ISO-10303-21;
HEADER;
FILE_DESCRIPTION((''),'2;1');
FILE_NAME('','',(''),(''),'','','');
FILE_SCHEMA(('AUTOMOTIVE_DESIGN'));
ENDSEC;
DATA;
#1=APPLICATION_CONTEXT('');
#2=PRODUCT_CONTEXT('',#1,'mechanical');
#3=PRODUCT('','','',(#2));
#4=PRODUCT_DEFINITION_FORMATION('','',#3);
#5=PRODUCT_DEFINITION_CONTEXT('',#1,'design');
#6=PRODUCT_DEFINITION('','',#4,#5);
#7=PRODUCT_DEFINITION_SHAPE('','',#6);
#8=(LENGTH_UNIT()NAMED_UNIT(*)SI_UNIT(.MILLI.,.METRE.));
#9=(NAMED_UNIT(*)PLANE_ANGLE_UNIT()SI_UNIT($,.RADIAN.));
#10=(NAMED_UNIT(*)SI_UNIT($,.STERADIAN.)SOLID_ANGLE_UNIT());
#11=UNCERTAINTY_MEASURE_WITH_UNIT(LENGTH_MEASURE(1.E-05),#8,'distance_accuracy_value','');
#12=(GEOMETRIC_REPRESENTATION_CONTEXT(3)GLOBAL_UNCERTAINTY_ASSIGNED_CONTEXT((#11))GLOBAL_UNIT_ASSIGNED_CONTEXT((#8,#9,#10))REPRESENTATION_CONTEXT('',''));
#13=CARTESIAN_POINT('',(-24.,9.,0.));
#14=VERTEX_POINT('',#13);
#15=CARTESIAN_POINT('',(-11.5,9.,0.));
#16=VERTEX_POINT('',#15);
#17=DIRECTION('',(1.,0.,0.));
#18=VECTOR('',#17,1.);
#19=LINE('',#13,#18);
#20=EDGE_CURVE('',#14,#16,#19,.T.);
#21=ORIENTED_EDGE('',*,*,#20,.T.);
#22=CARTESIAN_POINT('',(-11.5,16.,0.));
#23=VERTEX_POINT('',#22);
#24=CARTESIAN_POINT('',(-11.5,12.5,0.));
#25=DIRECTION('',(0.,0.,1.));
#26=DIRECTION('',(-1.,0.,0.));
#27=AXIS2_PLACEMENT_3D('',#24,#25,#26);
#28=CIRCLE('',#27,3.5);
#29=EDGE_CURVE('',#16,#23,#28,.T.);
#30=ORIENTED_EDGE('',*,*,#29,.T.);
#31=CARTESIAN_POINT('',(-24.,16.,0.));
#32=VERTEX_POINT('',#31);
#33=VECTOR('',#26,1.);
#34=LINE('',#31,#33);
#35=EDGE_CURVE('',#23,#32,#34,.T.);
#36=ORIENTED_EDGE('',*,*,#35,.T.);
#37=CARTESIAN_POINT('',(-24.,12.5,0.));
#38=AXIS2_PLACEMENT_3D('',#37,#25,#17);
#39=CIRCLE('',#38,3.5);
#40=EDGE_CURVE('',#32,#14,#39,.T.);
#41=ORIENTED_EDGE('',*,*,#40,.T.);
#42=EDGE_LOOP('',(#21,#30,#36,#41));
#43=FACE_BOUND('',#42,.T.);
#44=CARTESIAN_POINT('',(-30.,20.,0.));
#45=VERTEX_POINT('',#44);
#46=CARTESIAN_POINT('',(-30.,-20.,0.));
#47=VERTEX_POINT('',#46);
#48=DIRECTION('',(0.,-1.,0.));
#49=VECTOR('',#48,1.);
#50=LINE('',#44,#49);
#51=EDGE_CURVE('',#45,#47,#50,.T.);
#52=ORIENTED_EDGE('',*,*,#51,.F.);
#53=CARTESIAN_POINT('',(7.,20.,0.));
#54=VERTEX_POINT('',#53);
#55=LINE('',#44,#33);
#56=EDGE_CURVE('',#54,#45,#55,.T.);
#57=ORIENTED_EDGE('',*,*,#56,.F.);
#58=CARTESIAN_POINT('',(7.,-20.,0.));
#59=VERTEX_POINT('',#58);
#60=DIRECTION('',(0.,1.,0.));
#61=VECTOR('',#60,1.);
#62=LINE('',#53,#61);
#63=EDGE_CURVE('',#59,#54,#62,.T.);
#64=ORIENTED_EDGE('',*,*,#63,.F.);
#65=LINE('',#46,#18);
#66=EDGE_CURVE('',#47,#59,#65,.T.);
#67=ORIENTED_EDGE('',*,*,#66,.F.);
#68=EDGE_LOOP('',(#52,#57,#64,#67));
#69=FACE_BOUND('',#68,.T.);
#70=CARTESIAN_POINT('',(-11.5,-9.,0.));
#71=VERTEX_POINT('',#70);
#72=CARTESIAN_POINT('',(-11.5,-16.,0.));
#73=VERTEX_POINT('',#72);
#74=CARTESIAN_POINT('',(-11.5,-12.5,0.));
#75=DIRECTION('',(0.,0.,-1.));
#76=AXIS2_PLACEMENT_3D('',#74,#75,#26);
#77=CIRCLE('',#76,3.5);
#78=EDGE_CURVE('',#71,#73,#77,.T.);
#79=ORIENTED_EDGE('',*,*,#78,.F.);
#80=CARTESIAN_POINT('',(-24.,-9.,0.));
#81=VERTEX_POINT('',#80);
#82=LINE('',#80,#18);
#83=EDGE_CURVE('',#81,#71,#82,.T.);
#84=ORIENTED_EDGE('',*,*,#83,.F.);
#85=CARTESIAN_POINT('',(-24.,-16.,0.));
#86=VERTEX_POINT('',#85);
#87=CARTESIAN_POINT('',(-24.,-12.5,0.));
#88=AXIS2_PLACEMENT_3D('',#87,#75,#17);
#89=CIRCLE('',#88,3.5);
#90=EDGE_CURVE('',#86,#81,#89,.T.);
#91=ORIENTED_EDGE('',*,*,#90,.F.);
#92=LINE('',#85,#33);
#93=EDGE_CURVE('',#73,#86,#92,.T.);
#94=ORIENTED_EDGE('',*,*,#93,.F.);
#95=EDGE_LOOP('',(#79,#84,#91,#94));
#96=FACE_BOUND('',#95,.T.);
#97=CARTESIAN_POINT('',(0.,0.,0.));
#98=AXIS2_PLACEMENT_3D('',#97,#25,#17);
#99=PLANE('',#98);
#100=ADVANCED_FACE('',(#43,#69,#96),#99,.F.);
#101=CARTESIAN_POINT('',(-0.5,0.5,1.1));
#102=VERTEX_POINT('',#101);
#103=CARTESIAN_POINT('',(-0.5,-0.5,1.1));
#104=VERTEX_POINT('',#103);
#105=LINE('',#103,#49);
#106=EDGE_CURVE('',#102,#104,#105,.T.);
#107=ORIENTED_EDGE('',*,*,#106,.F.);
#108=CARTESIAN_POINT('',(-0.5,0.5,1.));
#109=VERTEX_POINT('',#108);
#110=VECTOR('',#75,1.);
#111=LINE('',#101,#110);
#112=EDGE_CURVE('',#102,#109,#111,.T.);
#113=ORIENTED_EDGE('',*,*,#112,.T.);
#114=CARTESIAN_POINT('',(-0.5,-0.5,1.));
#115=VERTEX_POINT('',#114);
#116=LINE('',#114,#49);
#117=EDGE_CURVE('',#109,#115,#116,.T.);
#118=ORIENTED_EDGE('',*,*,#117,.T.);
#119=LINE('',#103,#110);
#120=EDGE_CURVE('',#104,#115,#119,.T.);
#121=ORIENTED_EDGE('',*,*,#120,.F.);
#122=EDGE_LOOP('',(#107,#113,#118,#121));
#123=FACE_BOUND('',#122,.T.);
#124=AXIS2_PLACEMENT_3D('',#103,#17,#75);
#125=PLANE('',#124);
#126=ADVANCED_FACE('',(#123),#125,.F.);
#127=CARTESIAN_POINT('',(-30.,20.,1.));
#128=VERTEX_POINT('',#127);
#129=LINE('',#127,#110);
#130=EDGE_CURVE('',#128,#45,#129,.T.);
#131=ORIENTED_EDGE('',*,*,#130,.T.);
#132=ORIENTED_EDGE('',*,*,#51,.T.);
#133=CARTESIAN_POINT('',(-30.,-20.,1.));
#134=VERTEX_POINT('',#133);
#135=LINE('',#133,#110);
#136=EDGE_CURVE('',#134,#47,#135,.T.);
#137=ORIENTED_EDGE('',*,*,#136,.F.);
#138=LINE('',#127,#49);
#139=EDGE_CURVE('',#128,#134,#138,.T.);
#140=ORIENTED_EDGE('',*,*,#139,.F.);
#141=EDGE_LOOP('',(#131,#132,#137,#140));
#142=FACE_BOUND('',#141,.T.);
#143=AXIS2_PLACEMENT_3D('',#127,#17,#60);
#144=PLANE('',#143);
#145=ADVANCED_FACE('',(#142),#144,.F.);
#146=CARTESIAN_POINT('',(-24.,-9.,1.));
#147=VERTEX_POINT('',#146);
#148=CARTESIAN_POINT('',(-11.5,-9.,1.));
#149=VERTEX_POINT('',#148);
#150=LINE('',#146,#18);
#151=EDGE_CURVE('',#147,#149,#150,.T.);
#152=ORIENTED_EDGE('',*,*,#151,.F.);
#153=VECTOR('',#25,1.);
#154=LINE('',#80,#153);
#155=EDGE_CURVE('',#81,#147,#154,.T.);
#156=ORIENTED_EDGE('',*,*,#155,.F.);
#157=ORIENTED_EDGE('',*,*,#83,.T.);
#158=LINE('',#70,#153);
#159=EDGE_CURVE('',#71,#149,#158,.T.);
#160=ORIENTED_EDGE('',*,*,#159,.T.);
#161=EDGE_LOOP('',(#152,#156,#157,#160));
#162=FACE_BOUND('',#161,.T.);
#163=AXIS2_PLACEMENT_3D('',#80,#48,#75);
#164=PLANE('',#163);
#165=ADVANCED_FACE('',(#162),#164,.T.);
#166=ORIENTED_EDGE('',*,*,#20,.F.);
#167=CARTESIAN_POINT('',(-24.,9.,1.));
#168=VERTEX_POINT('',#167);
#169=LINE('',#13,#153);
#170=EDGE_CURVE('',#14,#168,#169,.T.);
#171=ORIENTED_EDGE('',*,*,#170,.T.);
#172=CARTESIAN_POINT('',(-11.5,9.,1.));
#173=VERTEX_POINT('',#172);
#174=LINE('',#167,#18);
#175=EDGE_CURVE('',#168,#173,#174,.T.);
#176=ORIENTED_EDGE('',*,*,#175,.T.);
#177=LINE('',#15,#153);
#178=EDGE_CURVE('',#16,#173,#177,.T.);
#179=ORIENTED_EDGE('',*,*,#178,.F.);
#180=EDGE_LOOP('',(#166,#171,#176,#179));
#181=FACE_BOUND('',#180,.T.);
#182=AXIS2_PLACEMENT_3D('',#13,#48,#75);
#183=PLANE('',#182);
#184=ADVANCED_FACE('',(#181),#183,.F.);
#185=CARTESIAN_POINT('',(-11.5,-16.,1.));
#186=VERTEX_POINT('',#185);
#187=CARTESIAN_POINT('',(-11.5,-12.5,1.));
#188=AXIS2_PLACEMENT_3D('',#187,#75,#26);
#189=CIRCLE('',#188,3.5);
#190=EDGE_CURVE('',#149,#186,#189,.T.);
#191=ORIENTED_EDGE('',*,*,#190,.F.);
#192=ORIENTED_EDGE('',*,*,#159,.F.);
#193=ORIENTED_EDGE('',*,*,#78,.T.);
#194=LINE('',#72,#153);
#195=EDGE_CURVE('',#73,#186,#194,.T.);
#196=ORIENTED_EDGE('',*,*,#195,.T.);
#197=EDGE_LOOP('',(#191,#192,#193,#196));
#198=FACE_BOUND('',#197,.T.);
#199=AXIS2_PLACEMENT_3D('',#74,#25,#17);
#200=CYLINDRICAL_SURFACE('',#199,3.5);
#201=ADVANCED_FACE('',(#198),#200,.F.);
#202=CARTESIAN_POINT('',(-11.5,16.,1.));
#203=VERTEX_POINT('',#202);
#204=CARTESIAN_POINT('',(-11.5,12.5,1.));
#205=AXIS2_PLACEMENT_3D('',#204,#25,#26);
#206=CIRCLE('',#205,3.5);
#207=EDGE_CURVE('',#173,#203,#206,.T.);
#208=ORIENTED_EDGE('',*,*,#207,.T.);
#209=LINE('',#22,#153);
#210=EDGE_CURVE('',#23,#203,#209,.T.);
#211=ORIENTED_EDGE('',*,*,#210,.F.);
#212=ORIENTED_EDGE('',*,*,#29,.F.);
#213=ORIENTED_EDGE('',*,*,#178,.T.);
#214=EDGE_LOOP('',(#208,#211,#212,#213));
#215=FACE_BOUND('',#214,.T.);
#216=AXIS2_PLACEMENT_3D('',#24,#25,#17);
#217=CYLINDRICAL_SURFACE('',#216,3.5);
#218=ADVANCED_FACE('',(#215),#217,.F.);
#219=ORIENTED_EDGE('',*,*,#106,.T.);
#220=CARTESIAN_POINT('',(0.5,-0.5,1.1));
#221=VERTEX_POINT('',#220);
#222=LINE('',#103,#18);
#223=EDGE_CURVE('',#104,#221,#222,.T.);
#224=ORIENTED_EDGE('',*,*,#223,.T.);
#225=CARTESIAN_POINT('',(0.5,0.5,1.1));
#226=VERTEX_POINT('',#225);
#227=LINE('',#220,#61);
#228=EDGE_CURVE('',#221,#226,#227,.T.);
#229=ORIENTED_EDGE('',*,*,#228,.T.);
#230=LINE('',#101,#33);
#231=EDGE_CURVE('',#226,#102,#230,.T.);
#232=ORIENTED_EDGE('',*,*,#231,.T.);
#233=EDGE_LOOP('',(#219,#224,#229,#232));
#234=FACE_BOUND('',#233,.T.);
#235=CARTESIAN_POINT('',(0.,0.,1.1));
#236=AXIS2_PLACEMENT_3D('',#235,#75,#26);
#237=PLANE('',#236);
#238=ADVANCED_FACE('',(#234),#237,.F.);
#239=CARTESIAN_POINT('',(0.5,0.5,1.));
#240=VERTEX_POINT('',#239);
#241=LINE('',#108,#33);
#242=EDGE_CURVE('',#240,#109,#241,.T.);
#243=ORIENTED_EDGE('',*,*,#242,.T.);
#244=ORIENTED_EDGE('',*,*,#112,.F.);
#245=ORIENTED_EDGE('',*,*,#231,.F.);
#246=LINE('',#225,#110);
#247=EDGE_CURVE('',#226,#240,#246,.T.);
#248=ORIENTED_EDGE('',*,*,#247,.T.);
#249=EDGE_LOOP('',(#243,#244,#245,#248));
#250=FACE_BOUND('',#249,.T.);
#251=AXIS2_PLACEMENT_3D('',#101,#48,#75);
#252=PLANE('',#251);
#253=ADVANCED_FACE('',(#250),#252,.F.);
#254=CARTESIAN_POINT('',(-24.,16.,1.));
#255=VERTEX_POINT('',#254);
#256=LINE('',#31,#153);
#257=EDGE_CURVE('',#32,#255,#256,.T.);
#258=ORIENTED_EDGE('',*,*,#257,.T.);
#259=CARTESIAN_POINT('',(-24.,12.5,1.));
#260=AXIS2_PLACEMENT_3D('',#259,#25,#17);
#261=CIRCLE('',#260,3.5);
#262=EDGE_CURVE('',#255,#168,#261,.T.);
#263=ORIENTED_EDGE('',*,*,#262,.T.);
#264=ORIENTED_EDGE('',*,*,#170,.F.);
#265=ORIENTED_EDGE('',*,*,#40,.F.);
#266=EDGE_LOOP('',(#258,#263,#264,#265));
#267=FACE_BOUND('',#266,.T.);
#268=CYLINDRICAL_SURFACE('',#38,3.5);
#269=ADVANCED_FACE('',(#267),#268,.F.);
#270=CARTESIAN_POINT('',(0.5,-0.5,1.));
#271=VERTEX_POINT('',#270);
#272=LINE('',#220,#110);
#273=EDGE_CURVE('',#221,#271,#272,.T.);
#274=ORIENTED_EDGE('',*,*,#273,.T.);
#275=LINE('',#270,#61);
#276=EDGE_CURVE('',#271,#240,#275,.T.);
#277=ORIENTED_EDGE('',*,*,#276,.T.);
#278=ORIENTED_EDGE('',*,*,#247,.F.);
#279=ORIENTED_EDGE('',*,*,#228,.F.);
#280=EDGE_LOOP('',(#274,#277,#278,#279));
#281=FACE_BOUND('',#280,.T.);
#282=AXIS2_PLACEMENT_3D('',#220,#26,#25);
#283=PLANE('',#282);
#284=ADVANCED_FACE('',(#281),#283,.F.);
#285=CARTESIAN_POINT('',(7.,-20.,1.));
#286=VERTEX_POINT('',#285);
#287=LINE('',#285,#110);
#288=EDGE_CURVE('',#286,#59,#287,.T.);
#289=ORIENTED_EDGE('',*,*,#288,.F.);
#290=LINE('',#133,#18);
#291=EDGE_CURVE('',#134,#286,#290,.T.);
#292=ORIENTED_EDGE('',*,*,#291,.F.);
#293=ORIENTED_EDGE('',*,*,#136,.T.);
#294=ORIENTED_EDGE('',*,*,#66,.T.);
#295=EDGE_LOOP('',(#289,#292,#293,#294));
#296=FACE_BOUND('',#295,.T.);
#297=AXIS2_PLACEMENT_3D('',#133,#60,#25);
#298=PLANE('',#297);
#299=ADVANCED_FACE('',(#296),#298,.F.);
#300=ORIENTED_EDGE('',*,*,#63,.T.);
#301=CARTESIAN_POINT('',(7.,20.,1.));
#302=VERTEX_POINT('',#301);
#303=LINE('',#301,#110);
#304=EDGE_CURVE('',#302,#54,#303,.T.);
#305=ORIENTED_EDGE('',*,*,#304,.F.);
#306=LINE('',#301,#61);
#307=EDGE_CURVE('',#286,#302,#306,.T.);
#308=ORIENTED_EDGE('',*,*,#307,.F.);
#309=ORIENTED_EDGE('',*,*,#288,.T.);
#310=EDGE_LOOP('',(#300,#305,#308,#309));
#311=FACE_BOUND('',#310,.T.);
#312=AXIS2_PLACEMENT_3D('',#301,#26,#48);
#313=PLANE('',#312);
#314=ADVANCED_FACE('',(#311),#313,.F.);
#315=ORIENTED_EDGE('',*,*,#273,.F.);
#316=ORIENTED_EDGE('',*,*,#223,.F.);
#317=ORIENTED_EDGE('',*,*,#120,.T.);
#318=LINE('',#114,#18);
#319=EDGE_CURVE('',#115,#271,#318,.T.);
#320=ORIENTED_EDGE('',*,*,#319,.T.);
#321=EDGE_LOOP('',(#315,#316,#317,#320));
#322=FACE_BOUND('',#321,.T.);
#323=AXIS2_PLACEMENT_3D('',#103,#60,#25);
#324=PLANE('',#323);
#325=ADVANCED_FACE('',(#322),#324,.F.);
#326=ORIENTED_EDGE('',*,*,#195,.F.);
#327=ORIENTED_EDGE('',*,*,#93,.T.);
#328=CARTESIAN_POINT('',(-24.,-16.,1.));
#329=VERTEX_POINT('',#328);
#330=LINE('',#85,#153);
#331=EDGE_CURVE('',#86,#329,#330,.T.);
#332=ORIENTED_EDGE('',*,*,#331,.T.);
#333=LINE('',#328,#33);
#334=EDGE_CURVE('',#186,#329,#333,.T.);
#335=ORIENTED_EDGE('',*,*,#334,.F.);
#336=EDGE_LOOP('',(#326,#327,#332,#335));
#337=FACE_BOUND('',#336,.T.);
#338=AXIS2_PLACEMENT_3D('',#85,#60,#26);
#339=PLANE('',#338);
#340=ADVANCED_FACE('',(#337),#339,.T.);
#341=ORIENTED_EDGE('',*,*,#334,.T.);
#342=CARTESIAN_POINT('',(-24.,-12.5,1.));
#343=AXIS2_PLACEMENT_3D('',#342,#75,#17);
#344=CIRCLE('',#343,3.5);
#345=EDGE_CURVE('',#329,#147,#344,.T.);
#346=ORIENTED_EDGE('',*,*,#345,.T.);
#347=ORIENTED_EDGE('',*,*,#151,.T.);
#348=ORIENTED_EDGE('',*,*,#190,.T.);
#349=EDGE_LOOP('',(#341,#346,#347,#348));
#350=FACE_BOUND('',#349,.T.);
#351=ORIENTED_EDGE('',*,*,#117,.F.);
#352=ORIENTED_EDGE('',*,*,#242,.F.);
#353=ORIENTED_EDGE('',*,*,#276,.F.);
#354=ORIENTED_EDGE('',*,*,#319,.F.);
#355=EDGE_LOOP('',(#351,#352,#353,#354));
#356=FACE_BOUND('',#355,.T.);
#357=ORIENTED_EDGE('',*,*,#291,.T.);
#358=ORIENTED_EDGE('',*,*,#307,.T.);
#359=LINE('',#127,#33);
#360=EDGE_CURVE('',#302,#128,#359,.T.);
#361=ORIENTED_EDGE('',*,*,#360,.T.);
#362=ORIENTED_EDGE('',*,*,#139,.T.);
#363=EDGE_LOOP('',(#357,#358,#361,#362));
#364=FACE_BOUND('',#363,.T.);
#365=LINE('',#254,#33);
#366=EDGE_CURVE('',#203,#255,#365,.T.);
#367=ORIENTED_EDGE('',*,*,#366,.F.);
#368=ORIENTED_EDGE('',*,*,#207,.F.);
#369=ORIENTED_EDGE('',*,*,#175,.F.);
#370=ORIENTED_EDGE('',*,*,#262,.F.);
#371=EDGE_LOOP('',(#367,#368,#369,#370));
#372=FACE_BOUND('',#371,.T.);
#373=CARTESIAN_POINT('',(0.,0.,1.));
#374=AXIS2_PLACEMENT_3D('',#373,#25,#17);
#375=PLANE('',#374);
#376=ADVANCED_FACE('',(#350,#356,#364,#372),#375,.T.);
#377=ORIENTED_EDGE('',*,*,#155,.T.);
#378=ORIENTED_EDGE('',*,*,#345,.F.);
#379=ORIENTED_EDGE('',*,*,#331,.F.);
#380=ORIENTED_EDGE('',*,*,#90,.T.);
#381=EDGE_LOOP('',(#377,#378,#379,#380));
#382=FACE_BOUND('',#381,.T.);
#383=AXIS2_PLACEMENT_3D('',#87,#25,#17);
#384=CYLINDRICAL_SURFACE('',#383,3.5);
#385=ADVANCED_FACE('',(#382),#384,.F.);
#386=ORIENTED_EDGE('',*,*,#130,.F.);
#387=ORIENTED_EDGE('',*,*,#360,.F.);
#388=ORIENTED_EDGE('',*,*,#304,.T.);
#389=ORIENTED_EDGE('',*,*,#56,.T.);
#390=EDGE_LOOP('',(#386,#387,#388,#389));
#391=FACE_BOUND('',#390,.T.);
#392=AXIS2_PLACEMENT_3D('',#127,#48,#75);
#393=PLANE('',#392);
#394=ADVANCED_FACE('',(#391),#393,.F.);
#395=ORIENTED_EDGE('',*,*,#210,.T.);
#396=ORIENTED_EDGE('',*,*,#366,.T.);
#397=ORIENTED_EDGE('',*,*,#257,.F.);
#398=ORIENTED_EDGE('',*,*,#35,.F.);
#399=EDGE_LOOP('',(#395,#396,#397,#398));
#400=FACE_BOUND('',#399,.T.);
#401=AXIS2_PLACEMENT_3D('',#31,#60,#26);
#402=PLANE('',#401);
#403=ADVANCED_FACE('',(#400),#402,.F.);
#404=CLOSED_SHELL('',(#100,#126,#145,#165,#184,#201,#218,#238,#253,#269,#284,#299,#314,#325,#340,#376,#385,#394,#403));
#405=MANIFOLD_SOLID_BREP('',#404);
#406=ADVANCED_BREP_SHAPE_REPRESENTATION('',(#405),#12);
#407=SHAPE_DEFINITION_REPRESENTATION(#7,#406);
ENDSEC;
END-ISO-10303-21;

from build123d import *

# Parameters (mm, degrees)
SKETCH1_W           = 37
SKETCH1_H           = 40
BOSS_EXTRUDE1_DEPTH = 1
SKETCH2_W           = 1
SKETCH2_H           = 1
BOSS_EXTRUDE2_DEPTH = 0.1
CUT_EXTRUDE1_DEPTH  = 2


with BuildPart() as part:
    # Sketch1 → Boss-Extrude1 (new body)
    with BuildSketch(Plane.XY):
        with Locations((-11.5, 0)):
            Rectangle(SKETCH1_W, SKETCH1_H)
    extrude(amount=BOSS_EXTRUDE1_DEPTH)

    # Sketch2 → Boss-Extrude2 (add)
    with BuildSketch(Plane.XY.offset(1)):
        Rectangle(SKETCH2_W, SKETCH2_H)
    extrude(amount=BOSS_EXTRUDE2_DEPTH)

    # Sketch3 → Cut-Extrude1 (cut, through all)
    with BuildSketch(Plane.XY.offset(1)):
        with BuildLine():
            Line((-24, 16), (-11.5, 16))
            ThreePointArc((-11.5, 16), (-8, 12.5), (-11.5, 9))
            Line((-11.5, 9), (-24, 9))
            ThreePointArc((-24, 9), (-27.5, 12.5), (-24, 16))
        make_face()
    cut_extrude1 = extrude(amount=-CUT_EXTRUDE1_DEPTH, mode=Mode.SUBTRACT)

    # Mirror1: Cut-Extrude1 across plane
    add(cut_extrude1.mirror(Plane.ZX), mode=Mode.SUBTRACT)


solid = part.part
